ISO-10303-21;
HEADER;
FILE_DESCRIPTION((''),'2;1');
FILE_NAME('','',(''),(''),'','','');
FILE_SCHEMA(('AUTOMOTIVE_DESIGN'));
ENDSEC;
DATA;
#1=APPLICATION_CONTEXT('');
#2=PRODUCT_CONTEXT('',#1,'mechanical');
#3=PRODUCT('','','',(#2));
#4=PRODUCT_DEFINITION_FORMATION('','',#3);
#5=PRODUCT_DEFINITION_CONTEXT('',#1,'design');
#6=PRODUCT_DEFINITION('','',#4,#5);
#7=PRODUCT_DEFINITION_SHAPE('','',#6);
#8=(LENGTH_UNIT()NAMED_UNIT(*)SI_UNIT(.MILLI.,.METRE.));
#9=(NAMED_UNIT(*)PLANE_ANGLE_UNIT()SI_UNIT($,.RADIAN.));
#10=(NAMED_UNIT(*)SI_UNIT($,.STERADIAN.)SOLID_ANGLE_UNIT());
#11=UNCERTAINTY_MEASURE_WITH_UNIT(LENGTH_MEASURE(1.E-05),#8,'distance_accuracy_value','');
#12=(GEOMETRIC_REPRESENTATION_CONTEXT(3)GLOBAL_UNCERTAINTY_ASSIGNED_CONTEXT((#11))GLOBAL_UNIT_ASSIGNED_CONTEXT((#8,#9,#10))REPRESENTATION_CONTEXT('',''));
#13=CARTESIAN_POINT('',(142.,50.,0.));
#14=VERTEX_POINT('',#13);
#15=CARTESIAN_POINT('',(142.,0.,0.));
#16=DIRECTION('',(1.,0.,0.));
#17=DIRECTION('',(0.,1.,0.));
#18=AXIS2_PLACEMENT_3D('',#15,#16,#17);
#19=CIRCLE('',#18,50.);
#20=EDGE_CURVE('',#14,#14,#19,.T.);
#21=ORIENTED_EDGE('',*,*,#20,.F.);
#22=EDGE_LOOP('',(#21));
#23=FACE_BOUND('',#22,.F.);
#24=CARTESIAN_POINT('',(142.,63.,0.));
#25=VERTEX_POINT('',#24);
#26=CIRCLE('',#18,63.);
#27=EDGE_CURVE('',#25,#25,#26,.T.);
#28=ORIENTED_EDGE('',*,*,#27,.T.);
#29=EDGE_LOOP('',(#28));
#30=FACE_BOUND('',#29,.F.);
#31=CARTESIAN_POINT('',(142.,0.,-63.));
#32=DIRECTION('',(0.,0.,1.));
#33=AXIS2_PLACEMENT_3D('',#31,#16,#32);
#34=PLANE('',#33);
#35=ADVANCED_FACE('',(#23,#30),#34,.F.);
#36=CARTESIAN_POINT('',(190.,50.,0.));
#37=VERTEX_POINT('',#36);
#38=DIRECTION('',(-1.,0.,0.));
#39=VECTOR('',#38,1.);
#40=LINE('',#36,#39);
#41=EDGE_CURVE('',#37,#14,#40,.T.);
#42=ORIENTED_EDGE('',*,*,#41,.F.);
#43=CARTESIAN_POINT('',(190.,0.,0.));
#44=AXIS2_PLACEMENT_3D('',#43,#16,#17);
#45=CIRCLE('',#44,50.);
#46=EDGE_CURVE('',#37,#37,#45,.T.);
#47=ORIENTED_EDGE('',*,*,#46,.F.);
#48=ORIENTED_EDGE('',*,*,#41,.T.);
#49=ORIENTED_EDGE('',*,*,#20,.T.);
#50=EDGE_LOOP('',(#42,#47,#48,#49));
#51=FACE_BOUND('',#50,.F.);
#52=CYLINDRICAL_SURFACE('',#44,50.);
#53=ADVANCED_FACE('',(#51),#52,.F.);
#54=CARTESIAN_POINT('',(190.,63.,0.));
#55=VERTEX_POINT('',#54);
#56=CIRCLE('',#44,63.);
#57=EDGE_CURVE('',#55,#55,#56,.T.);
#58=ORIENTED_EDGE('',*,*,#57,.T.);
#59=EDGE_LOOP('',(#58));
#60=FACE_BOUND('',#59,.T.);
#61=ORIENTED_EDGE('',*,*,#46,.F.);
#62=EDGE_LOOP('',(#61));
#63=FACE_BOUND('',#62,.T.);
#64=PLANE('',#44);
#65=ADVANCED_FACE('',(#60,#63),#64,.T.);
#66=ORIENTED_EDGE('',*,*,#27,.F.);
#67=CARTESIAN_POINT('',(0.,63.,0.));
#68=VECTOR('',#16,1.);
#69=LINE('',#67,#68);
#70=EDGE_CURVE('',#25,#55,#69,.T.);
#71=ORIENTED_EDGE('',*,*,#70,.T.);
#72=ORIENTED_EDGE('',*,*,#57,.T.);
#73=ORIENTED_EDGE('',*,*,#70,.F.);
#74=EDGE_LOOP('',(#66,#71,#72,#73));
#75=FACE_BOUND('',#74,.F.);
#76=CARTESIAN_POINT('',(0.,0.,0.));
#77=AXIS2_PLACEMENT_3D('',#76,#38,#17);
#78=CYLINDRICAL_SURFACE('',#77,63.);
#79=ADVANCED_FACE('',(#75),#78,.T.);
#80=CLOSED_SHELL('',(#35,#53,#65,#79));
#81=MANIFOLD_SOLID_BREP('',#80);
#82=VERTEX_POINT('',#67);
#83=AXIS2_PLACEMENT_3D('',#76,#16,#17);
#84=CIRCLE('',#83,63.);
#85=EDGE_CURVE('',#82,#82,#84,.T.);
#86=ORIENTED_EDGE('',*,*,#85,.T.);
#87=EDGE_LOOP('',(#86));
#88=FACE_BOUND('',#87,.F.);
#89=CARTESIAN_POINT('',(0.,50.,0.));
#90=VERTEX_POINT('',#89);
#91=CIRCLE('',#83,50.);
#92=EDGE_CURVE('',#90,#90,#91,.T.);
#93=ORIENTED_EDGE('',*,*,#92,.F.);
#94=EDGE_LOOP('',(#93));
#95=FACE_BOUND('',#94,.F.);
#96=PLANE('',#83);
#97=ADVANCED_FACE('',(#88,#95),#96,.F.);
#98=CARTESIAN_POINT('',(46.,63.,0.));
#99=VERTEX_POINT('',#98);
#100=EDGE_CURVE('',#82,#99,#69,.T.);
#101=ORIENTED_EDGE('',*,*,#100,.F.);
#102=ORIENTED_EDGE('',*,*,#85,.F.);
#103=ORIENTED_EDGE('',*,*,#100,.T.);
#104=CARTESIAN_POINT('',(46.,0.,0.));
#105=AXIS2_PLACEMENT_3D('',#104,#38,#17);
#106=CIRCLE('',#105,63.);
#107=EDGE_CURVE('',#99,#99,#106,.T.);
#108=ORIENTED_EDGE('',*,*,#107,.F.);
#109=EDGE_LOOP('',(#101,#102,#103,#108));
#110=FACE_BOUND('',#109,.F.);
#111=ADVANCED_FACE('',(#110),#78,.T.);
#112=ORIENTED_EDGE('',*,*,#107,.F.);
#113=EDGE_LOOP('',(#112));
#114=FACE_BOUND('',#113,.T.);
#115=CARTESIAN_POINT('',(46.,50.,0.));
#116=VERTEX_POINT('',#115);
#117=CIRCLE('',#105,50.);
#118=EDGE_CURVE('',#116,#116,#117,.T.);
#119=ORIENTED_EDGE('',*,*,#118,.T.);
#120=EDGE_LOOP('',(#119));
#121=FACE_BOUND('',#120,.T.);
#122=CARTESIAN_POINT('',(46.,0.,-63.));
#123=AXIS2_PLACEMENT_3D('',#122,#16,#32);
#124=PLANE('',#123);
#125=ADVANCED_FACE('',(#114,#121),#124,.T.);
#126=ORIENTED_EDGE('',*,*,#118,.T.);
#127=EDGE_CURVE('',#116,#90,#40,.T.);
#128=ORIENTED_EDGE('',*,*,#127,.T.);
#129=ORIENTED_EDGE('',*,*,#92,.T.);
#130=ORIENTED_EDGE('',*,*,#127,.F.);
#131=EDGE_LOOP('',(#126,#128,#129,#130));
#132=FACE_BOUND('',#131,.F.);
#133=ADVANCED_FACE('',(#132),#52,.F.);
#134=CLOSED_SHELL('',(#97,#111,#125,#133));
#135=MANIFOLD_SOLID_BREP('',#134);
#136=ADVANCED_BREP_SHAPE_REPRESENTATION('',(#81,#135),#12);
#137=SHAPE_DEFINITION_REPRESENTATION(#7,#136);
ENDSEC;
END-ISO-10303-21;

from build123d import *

# Parameters (mm, degrees)
F0_R          = 63
F1_DEPTH      = 190
F2_R          = 50
F3_DEPTH      = 190
F4_W          = 96
F4_H          = 126
F5_DEPTH      = 70
F5_DEPTH_BACK = 70


with BuildPart() as f1:
    # F0 (on Right) → F1 (new body)
    with BuildSketch(Plane.YZ):
        Circle(F0_R)
    extrude(amount=F1_DEPTH)

    # F2 (on face) → F3 (cut)
    with BuildSketch(Plane.YZ.offset(190)):
        Circle(F2_R)
    extrude(amount=-F3_DEPTH, mode=Mode.SUBTRACT)

    # F4 (on Front) → F5 (cut, two sides)
    with BuildSketch(Plane.XZ) as f5_sk:
        with Locations((94, 0)):
            Rectangle(F4_W, F4_H)
    extrude(amount=-F5_DEPTH, mode=Mode.SUBTRACT)
    extrude(f5_sk.sketch, amount=F5_DEPTH_BACK, mode=Mode.SUBTRACT)


solid = f1.part
